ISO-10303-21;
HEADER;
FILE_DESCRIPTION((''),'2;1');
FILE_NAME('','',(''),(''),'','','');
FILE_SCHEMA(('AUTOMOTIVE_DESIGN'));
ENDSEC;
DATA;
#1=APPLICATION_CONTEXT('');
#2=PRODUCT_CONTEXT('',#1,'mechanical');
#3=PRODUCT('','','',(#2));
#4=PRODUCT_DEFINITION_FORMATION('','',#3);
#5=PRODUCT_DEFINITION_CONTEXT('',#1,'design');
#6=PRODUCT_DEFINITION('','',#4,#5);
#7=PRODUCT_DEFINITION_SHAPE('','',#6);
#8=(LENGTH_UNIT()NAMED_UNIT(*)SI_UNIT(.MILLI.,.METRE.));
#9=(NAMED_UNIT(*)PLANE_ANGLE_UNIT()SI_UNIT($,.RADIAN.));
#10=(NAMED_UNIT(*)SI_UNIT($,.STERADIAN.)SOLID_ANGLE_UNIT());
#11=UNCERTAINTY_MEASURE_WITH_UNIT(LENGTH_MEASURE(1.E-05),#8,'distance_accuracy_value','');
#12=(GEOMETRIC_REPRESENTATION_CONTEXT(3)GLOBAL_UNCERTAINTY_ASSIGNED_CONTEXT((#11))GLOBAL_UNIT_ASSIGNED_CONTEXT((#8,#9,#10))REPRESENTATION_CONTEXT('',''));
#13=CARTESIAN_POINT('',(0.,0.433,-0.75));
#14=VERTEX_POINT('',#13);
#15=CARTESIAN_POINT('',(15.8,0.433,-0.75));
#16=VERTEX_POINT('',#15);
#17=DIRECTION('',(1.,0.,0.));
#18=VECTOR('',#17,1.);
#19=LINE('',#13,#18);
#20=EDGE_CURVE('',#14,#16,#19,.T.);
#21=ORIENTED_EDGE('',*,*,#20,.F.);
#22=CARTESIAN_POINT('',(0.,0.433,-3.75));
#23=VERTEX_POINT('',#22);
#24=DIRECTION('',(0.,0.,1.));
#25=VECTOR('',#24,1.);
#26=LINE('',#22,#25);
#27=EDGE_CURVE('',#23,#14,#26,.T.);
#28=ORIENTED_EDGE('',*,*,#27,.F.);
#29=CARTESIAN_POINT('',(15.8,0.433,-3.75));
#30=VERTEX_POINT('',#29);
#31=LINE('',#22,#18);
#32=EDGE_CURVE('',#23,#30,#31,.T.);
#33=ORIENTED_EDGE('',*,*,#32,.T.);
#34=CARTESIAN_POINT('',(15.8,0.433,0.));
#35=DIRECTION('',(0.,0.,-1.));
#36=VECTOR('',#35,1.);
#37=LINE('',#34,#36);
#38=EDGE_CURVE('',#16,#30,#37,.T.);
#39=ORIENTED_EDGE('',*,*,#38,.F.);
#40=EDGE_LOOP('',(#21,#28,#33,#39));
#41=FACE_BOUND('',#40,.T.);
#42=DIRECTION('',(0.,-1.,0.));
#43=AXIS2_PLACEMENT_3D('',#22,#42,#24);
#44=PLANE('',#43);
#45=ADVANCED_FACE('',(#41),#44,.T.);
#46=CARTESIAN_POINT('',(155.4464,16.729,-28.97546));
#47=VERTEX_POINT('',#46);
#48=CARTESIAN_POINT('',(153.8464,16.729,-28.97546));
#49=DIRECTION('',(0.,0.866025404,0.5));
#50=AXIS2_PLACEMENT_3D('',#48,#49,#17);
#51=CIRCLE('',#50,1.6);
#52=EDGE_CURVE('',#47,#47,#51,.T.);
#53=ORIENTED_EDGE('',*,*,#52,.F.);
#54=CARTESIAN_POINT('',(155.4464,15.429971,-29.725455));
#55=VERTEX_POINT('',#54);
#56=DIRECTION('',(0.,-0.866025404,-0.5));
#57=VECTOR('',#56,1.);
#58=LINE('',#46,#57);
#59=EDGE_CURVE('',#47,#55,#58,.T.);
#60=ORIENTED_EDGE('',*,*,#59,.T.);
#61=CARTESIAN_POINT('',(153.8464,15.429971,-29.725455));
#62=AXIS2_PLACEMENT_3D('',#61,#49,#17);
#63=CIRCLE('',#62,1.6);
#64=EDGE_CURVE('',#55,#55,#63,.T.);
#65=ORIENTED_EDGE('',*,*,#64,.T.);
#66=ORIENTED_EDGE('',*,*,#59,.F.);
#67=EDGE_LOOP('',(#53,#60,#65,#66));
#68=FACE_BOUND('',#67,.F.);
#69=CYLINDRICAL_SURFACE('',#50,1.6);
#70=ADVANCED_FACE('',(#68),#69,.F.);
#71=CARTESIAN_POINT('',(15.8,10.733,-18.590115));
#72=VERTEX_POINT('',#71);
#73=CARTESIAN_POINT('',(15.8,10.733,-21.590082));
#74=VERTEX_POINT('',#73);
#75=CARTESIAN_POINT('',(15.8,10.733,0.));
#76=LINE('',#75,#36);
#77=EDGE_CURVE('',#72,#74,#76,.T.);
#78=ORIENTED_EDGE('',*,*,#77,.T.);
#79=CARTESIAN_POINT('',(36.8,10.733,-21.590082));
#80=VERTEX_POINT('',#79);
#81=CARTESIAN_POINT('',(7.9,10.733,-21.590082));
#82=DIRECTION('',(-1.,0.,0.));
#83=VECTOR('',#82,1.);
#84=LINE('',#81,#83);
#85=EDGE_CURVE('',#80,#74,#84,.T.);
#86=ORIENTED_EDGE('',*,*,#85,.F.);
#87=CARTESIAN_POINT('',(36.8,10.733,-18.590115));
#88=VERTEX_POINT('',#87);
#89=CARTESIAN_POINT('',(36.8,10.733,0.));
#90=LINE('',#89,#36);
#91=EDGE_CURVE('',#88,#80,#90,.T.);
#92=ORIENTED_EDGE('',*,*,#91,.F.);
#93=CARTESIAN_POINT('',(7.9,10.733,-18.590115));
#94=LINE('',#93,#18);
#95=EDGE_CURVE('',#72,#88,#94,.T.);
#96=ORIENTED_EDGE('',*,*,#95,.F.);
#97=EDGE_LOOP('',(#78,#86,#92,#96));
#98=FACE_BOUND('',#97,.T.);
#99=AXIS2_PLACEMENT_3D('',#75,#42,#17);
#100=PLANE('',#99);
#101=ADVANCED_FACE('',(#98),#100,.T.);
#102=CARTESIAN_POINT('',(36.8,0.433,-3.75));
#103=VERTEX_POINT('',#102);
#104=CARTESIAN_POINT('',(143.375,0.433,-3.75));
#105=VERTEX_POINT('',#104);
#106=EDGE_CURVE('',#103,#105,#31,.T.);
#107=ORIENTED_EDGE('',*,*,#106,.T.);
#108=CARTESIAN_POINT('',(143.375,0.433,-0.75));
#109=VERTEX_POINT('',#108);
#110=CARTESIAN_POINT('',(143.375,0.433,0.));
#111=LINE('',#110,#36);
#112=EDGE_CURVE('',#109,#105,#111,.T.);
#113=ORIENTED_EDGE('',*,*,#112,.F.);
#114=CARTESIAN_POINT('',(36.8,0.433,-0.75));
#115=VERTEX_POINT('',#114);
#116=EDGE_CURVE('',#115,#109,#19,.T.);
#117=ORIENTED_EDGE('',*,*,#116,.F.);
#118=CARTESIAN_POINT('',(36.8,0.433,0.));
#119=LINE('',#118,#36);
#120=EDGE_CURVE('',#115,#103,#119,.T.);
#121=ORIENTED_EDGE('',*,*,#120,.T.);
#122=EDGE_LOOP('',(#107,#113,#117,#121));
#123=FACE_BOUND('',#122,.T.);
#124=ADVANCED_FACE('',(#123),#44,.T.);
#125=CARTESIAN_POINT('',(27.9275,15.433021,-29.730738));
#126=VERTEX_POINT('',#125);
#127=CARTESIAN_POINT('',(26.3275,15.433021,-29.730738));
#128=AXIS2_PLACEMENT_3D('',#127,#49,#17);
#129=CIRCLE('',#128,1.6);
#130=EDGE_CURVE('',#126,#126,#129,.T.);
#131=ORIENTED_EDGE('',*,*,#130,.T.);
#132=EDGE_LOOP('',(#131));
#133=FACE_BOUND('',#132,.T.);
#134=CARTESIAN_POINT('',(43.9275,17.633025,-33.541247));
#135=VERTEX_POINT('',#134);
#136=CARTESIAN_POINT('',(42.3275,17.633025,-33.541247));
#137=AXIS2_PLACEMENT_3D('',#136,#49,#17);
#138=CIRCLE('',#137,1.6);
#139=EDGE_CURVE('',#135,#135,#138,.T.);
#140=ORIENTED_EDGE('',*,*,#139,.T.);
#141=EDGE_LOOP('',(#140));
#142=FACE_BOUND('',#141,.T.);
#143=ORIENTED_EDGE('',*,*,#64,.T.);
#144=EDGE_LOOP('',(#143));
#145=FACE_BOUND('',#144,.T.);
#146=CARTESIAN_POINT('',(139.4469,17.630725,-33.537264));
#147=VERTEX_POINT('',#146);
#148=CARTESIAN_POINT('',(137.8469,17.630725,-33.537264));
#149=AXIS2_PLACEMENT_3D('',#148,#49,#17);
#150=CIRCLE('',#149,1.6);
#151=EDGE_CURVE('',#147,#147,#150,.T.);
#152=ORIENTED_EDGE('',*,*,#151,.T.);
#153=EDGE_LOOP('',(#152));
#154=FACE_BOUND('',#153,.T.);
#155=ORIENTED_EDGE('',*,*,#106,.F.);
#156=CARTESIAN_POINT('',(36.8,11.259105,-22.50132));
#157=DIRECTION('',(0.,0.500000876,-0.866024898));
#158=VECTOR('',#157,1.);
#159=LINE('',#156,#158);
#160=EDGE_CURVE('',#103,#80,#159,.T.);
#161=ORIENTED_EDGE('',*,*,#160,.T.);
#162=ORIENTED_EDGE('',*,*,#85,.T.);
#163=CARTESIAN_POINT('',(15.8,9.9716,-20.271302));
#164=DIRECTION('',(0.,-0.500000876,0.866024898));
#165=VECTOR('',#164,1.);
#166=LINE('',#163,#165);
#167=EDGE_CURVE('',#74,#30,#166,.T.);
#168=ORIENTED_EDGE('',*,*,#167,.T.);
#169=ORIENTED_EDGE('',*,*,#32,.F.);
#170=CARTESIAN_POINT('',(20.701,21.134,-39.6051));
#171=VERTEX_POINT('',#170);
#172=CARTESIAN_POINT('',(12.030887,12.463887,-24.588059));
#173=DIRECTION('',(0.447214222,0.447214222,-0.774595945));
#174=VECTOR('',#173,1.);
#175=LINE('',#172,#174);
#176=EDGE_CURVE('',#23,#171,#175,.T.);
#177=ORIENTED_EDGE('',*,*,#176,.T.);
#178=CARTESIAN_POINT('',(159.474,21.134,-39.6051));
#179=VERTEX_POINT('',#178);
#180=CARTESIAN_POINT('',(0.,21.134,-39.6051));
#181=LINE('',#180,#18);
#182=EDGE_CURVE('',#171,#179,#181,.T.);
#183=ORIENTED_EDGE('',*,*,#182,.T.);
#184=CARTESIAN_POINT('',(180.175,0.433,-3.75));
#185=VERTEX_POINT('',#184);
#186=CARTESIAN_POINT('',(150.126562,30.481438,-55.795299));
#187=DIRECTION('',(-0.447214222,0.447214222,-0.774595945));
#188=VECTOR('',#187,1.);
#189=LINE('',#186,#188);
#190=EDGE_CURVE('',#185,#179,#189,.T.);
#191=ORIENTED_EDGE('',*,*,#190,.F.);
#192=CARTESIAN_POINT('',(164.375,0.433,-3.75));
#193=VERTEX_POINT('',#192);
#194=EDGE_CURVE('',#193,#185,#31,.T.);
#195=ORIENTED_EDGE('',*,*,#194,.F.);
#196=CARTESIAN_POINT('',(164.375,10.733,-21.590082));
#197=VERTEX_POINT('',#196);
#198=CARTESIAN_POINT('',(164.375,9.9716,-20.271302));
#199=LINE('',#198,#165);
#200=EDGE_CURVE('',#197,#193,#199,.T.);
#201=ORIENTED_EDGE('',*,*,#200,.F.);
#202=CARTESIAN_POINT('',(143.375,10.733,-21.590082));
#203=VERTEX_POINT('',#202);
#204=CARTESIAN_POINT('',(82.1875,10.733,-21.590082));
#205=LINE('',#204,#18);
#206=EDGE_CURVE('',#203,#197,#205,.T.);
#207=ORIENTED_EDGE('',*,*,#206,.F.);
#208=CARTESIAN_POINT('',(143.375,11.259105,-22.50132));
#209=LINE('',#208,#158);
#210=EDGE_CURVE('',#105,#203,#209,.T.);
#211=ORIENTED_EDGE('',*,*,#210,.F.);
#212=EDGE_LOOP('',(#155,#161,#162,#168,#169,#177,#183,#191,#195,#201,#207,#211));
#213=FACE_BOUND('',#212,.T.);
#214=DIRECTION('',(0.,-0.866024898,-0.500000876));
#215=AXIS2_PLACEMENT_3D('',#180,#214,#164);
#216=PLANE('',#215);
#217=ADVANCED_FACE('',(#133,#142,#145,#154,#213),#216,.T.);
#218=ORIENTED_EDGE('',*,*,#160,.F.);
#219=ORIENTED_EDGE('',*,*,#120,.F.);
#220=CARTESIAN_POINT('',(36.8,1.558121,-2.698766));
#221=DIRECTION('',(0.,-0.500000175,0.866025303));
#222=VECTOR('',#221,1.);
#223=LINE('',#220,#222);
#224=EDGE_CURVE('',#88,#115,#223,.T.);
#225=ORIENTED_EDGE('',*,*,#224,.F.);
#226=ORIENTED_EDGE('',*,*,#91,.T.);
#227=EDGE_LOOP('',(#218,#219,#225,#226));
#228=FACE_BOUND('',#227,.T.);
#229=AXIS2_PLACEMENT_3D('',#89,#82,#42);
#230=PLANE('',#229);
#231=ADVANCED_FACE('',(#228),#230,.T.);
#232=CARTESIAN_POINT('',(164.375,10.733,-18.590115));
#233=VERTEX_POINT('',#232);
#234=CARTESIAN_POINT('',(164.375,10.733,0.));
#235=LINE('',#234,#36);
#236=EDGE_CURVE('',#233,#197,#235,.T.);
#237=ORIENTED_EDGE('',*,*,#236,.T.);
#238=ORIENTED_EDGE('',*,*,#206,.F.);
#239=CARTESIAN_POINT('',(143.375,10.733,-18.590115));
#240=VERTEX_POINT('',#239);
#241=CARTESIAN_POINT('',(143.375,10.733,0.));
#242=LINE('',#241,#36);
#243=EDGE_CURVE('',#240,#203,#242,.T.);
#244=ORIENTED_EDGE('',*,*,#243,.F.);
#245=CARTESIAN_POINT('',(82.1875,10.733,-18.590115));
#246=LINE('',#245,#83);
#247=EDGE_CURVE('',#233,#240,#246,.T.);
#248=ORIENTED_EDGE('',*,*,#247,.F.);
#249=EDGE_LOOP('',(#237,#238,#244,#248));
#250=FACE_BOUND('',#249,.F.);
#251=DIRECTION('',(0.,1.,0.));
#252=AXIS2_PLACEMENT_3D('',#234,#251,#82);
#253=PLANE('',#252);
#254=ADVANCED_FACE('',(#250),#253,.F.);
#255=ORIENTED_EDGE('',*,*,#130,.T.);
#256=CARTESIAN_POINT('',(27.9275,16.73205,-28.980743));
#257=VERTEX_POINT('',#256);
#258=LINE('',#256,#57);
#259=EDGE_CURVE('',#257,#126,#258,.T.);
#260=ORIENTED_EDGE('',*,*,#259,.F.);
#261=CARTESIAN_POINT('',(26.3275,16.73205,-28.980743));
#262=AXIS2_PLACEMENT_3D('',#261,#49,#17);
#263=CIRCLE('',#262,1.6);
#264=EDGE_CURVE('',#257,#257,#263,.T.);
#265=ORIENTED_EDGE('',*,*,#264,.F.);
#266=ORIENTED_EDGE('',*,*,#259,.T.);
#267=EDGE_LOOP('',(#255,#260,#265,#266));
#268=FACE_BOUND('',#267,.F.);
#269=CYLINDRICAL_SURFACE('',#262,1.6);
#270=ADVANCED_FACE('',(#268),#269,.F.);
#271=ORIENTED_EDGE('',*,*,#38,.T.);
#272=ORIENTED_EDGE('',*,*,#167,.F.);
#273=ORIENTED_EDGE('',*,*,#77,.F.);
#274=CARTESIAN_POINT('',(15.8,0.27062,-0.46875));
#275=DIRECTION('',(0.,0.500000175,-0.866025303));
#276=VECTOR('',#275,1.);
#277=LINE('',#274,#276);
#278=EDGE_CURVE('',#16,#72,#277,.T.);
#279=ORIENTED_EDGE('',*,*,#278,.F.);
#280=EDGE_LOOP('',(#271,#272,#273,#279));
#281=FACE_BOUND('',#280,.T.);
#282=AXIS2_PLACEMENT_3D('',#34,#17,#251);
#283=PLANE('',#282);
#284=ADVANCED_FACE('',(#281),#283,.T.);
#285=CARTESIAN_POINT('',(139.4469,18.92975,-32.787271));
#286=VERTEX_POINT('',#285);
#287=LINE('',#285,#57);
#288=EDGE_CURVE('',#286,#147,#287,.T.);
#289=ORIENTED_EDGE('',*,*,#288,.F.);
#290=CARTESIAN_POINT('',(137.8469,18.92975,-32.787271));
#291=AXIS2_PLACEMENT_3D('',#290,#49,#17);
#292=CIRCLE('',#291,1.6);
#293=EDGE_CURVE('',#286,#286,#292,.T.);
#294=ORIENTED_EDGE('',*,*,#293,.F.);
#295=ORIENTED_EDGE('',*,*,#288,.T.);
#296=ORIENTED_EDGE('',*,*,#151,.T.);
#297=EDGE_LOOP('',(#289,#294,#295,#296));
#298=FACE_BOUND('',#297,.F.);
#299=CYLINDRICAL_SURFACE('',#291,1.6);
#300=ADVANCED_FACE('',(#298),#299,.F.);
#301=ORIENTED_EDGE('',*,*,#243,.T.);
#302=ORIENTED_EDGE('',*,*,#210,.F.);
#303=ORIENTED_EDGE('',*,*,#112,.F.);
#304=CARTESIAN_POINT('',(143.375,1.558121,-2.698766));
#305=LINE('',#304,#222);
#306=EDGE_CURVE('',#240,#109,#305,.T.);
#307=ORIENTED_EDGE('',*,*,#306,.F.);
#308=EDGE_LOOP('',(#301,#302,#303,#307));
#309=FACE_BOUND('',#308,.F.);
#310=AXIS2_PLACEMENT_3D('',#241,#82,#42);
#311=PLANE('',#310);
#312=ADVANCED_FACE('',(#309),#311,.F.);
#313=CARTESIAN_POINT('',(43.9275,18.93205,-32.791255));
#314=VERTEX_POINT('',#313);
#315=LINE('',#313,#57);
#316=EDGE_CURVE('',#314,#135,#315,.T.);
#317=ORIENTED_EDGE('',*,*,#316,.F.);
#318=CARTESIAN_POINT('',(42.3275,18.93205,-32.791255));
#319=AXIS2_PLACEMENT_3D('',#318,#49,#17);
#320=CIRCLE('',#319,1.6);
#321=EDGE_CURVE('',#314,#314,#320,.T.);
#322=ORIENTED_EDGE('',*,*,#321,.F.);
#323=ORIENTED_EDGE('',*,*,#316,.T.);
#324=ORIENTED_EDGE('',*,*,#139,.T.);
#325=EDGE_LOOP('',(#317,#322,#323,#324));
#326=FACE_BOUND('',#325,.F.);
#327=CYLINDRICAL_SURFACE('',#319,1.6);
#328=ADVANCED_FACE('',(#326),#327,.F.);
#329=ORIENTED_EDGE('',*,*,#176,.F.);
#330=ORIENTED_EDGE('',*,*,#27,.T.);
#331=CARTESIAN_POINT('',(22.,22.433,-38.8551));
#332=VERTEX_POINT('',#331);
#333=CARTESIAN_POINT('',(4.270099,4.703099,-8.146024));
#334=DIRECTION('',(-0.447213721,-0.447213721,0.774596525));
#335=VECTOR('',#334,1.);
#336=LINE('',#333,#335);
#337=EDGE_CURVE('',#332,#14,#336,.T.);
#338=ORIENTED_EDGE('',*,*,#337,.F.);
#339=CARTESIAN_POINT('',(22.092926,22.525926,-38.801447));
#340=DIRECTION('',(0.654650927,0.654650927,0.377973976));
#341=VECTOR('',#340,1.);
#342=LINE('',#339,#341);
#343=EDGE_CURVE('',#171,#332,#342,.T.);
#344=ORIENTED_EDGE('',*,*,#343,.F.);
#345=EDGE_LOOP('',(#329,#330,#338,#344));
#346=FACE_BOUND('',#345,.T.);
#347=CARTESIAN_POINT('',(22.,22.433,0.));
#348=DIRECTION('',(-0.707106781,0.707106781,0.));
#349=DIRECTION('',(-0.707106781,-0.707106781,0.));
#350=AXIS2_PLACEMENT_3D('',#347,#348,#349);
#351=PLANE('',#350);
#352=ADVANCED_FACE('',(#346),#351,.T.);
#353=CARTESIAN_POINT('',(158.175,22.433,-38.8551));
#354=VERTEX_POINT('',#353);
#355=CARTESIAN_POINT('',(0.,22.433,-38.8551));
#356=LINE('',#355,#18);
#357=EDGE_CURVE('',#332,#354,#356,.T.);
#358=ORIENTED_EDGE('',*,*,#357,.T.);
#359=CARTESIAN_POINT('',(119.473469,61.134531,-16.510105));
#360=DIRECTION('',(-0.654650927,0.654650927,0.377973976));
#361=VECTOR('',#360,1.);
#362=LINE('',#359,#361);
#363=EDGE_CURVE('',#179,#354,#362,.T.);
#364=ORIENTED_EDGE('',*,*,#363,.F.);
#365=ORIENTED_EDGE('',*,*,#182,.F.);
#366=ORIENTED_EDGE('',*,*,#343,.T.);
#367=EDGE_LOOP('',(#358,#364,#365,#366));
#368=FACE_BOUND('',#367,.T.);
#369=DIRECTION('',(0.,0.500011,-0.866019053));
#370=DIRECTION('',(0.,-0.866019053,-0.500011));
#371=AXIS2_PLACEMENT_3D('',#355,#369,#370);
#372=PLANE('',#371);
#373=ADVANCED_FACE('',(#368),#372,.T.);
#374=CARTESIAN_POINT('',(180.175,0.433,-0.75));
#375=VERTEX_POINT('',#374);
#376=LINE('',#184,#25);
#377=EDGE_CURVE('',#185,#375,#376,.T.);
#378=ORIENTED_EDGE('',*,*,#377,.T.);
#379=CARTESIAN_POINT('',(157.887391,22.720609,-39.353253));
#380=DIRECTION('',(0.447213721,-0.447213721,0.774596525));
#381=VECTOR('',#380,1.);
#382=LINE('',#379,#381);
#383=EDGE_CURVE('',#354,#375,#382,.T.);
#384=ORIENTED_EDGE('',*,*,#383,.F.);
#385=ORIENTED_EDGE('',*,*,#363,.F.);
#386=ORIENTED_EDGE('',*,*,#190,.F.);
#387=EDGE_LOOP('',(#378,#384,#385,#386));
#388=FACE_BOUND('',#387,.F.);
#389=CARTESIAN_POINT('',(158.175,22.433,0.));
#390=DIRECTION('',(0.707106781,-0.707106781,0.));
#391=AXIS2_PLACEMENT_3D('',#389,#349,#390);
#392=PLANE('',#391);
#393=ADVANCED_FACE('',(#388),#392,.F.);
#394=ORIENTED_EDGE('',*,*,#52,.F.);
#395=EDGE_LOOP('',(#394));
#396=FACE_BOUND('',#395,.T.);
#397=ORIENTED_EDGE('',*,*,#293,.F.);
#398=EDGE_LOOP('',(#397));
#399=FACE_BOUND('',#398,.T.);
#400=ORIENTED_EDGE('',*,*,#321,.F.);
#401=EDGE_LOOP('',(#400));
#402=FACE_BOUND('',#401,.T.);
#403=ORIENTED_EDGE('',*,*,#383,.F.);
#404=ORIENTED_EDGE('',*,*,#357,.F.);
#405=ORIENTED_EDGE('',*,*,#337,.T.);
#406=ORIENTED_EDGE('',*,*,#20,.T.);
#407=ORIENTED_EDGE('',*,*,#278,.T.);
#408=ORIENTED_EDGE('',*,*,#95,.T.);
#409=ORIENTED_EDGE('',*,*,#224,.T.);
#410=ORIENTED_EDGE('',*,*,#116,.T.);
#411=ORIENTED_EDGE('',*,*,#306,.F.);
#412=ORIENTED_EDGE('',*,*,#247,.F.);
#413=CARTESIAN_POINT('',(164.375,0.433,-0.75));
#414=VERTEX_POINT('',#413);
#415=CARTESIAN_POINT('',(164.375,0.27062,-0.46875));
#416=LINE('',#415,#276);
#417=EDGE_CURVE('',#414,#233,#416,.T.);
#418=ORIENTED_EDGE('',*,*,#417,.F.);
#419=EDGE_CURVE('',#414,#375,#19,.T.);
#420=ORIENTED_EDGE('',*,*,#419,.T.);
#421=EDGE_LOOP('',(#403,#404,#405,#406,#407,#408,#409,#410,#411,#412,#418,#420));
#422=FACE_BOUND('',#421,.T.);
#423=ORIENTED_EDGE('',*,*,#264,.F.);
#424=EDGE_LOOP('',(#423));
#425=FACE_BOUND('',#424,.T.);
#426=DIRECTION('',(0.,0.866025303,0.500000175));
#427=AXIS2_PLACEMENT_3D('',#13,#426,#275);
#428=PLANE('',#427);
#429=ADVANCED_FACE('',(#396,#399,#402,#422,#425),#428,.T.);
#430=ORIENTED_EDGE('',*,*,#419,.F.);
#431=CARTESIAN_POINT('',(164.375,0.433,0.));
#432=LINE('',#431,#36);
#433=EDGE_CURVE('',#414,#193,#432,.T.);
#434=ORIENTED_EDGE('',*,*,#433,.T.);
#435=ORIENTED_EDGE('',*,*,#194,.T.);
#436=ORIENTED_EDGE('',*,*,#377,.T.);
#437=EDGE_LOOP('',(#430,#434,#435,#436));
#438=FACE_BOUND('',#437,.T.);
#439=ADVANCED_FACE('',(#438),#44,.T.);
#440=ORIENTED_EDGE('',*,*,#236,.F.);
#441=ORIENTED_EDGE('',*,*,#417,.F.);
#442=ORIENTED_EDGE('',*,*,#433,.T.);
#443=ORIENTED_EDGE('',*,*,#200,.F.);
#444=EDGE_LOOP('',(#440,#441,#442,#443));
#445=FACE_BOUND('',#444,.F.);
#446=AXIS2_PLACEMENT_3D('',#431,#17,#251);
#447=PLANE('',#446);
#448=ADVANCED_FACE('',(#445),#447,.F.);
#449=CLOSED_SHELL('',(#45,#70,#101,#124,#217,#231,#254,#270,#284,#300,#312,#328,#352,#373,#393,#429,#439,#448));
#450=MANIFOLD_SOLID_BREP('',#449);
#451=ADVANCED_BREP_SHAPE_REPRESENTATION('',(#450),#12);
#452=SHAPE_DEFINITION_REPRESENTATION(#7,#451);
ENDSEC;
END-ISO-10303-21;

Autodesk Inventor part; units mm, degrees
ref_plane "YZ Plane" through (0, 0, 0) normal (1, 0, 0) x (0, 1, 0)
ref_plane "XZ Plane" through (0, 0, 0) normal (0, 1, 0) x (-1, 0, 0)
ref_plane "XY Plane" through (0, 0, 0) normal (0, 0, 1) x (1, 0, 0)
sketch "Szkic1" plane through (0, 0, 0) normal (1, 0, 0) x (0, 1, 0)
  line L0 (0.433, -0.75) -> (22.433, -38.8551)
  line L1 (22.433, -38.8551) -> (21.134, -39.6051)
  line L2 (21.134, -39.6051) -> (0.433, -3.75)
  line L3 (0.433, -3.75) -> (0.433, -0.75)
  line L4 (21.134, -39.6051) -> (21.134, -39.6051)
  dimension "d0" = 1.5
  dimension "d1" = 22
  dimension "d2" = 30
extrude "Wyciągnięcie proste1" add sketch "Szkic1" along normal blind 180.175
sketch "Szkic2" plane through (180.175, 22.433, 0) normal (0, 0, -1) x (-1, 0, 0)
  line L0 (143.375, -22) -> (164.375, -22)
  line L1 (164.375, -22) -> (164.375, -11.7)
  line L2 (164.375, -11.7) -> (143.375, -11.7)
  line L3 (143.375, -11.7) -> (143.375, -22)
  line L4 (180.175, -22) -> (0, -22) construction
  line L5 (180.175, -22) -> (180.175, 0) construction
  line L6 (180.175, -22) -> (180.175, 0)
  line L7 (180.175, 0) -> (0, 0) construction
  line L8 (158.175, 0) -> (180.175, -22)
  line L9 (90.0875, -22) -> (90.0875, 0) construction
  line L10 (180.175, 0) -> (158.175, 0)
  line L11 (36.8, -22) -> (15.8, -22)
  line L12 (15.8, -22) -> (15.8, -11.7)
  line L13 (15.8, -11.7) -> (36.8, -11.7)
  line L14 (36.8, -11.7) -> (36.8, -22)
  line L15 (0, -22) -> (0, 0) construction
  line L16 (0, -22) -> (0, 0)
  line L17 (22, 0) -> (0, -22)
  line L18 (0, 0) -> (22, 0)
  dimension "d9" = 21
  dimension "d10" = 10.3
  dimension "d33" = 15.8
  dimension "d34" = 45
extrude "Wyciągnięcie proste2" cut sketch "Szkic2" along normal through all
sketch "Szkic3" plane through (22, 22, -38.1051) normal (0, 0.866, 0.5) x (1, 0, 0)
  line L0 (-2, -0.5359) -> (138.175, -0.5359) construction
  line L1 (-2, -0.5359) -> (4.3275, -0.5359) construction
  line L2 (4.3275, -0.5359) -> (4.3275, -10.5359) construction
  line L3 (-2, -0.5359) -> (20.3275, -0.5359) construction
  line L4 (20.3275, -0.5359) -> (20.3275, -6.1359) construction
  line L5 (0, 0.4641) -> (136.175, 0.4641) construction
  line L6 (68.0875, 0.4641) -> (68.0854, -43.134) construction
  line L7 (-22, -43.134) -> (158.175, -43.134) construction
  circle A0 centre (20.3275, -6.1359) radius 1.6
  circle A1 centre (4.3275, -10.5359) radius 1.6
  circle A2 centre (131.8464, -10.542) radius 1.6
  circle A3 centre (115.8469, -6.1405) radius 1.6
  point P0 (-22, -44)
  point P1 (14.8, -43.134)
  point P2 (121.375, -44)
  dimension "d12" = 6.3275
  dimension "d13" = 10
  dimension "d14" = 22.3275
  dimension "d15" = 5.6
  dimension "d16" = 3.2
  dimension "d17" = 3.2
extrude "Wyciągnięcie proste3" cut sketch "Szkic3" against normal through all
properties part number "Przod2mm"
